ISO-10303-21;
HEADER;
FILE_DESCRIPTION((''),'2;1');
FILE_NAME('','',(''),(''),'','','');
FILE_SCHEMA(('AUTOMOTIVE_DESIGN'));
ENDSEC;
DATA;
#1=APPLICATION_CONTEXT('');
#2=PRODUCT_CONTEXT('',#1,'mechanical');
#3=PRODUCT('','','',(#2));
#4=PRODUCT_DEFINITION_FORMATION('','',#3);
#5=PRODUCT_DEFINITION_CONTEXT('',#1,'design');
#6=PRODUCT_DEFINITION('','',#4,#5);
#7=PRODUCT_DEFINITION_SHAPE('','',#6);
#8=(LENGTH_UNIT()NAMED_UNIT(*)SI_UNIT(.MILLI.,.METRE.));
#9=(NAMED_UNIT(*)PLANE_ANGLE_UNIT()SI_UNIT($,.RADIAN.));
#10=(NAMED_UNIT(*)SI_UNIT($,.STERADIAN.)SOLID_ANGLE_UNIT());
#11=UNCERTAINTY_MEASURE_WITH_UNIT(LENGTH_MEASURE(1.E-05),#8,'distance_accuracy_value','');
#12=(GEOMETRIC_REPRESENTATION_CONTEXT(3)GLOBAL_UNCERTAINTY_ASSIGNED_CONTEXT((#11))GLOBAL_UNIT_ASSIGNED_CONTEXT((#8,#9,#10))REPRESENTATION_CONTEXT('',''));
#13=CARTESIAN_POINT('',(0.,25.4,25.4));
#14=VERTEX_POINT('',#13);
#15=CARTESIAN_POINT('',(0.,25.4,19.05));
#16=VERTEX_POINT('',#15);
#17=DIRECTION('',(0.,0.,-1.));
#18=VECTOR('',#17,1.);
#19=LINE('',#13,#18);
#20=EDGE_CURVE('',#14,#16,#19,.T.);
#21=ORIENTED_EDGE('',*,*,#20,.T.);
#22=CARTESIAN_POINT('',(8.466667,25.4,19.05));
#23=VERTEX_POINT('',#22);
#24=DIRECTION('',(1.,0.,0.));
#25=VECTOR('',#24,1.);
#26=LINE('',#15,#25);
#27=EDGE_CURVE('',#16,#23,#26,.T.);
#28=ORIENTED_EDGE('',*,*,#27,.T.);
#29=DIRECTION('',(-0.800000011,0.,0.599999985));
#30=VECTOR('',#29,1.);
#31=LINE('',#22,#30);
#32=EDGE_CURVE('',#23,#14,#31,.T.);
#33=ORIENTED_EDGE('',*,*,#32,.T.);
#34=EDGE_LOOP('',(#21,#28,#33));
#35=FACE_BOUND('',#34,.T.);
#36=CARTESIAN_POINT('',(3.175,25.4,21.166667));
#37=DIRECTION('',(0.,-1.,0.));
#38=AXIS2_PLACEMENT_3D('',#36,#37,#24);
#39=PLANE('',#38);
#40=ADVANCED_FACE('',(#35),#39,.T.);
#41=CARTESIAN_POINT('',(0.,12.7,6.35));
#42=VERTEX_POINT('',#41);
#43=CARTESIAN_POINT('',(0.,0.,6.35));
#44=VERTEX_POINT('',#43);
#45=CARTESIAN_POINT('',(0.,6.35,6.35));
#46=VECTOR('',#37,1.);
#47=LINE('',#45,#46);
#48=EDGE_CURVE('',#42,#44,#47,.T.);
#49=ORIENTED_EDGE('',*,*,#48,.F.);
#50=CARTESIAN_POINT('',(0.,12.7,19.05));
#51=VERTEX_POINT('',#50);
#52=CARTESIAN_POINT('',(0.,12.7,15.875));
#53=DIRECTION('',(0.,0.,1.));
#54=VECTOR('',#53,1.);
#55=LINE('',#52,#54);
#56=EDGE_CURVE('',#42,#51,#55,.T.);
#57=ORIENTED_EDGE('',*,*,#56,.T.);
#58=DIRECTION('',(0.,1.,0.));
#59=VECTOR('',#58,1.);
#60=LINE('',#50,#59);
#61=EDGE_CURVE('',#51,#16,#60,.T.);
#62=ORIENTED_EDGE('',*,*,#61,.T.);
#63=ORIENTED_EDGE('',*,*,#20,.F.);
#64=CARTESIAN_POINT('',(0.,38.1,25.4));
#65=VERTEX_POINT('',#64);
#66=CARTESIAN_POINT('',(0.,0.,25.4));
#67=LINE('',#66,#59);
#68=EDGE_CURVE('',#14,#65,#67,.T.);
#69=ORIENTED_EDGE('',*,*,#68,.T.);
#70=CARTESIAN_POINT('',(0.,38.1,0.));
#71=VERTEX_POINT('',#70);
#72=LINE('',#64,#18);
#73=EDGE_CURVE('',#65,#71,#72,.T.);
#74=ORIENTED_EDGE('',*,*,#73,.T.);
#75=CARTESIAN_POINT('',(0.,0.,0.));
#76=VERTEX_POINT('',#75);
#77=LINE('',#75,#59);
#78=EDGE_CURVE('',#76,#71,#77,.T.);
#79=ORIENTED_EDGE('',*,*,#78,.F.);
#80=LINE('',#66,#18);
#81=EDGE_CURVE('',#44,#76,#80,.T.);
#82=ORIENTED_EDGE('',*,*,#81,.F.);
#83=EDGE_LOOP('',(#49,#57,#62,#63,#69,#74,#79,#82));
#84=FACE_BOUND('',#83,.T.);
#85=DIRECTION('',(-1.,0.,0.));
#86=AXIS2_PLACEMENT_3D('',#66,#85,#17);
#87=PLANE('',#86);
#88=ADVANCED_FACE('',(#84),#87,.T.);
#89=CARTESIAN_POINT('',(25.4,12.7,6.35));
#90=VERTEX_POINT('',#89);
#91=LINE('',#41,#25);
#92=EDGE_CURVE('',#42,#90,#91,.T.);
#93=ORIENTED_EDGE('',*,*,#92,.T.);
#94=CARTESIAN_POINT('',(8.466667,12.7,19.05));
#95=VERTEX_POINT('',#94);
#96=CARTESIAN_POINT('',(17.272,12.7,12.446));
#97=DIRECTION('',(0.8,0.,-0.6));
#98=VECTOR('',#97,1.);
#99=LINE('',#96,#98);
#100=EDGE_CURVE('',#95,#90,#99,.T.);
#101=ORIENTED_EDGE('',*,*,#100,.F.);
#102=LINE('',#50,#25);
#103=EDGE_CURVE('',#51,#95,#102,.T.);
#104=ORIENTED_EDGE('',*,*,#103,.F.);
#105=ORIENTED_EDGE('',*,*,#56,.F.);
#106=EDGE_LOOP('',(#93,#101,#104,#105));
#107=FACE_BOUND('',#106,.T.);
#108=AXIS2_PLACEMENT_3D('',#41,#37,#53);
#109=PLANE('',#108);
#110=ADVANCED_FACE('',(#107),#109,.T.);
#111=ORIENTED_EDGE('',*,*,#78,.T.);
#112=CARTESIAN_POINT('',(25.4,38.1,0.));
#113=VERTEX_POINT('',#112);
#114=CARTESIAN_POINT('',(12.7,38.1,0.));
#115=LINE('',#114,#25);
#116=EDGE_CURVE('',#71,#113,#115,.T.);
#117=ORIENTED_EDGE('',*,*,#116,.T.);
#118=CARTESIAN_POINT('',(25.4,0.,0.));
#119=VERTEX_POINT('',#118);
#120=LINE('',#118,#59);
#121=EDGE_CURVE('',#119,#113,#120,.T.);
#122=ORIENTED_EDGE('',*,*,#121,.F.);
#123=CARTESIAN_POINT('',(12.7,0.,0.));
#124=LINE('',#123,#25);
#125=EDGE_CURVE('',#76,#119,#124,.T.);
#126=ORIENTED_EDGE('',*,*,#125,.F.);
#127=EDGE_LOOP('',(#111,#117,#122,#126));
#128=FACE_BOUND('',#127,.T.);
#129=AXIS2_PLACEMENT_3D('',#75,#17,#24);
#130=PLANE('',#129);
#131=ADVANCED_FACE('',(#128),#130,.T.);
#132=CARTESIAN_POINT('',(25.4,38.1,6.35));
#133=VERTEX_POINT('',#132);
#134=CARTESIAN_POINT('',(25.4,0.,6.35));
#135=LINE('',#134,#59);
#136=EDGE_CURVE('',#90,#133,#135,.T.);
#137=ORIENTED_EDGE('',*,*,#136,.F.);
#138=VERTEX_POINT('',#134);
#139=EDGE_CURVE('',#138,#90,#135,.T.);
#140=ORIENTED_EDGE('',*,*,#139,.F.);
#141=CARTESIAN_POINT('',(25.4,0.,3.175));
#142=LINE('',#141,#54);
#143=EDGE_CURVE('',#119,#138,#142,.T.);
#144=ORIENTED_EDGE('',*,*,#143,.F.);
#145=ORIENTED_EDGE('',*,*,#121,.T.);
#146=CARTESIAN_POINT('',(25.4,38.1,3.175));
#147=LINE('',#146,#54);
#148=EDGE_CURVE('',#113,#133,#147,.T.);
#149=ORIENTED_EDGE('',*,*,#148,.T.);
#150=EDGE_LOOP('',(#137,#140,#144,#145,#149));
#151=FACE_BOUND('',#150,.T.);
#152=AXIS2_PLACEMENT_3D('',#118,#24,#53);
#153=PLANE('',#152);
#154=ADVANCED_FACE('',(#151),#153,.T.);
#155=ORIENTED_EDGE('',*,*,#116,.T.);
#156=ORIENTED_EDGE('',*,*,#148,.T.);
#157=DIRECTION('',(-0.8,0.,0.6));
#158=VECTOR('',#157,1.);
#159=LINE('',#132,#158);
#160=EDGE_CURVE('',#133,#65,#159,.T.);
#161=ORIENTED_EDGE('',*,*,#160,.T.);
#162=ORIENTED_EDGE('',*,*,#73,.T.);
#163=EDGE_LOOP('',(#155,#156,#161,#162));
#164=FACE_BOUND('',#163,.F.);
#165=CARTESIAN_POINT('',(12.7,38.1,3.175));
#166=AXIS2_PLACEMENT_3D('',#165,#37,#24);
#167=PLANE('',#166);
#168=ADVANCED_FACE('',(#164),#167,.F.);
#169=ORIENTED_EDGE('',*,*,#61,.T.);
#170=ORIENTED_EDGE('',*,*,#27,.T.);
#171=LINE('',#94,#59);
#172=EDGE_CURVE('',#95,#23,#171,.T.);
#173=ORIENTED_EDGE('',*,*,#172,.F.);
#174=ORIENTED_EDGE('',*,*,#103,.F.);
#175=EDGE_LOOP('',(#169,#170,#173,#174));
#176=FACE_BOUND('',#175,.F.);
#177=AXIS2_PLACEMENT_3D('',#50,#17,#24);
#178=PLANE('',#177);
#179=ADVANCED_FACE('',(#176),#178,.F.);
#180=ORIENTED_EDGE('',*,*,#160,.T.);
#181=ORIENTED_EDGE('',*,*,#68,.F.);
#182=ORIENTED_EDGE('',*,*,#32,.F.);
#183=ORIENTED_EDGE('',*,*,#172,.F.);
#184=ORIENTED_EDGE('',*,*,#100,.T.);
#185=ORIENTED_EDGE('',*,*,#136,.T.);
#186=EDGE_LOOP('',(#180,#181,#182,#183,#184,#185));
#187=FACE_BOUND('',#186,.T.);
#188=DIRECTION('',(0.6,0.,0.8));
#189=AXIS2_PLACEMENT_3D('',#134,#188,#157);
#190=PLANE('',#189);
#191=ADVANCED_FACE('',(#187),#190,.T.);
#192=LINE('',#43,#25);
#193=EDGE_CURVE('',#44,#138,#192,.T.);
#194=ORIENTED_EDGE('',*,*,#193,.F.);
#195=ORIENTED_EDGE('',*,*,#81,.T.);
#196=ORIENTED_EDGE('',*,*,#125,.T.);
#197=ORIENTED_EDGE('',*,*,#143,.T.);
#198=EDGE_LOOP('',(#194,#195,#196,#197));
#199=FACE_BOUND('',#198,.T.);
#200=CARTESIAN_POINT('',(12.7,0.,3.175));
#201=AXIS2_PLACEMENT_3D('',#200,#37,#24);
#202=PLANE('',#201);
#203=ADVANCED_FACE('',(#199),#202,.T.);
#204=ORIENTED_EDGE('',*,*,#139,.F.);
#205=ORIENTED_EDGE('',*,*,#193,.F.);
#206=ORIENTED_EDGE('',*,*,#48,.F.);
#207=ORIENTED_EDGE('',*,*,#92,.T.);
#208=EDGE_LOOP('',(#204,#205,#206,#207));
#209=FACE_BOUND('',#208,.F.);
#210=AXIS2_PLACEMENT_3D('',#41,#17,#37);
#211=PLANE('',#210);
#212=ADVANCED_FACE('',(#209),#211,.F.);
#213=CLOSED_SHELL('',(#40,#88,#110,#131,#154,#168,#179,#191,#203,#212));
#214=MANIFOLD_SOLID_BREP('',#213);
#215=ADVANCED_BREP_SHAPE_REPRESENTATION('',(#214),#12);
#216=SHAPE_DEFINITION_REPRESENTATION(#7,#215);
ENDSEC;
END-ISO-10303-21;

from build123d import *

# Parameters (mm, degrees)
F0_W     = 25.4
F0_H     = 6.35
F1_DEPTH = 38.1
F2_W     = 12.7
F2_H     = 19.05
F3_DEPTH = 25.4
F5_DEPTH = 12.7


with BuildPart() as f1:
    # F0 (on Front) → F1 (new body)
    with BuildSketch(Plane.XZ):
        with Locations((12.7, 3.175)):
            Rectangle(F0_W, F0_H)
        Polygon((0, 25.4), (0, 6.35), (25.4, 6.35), align=None)
    extrude(amount=-F1_DEPTH)

    # F2 (on face) → F3 (cut)
    with BuildSketch(Plane(origin=(0, 0, 0), x_dir=(0, -1, 0), z_dir=(-1, 0, 0))):
        with Locations((-6.35, 15.875)):
            Rectangle(F2_W, F2_H)
    extrude(amount=-F3_DEPTH, mode=Mode.SUBTRACT)

    # F4 (on face) → F5 (cut)
    with BuildSketch(Plane.XZ.offset(-12.7)):
        Polygon((0, 25.4), (0, 19.05), (8.466667, 19.05), align=None)
    extrude(amount=-F5_DEPTH, mode=Mode.SUBTRACT)


solid = f1.part
